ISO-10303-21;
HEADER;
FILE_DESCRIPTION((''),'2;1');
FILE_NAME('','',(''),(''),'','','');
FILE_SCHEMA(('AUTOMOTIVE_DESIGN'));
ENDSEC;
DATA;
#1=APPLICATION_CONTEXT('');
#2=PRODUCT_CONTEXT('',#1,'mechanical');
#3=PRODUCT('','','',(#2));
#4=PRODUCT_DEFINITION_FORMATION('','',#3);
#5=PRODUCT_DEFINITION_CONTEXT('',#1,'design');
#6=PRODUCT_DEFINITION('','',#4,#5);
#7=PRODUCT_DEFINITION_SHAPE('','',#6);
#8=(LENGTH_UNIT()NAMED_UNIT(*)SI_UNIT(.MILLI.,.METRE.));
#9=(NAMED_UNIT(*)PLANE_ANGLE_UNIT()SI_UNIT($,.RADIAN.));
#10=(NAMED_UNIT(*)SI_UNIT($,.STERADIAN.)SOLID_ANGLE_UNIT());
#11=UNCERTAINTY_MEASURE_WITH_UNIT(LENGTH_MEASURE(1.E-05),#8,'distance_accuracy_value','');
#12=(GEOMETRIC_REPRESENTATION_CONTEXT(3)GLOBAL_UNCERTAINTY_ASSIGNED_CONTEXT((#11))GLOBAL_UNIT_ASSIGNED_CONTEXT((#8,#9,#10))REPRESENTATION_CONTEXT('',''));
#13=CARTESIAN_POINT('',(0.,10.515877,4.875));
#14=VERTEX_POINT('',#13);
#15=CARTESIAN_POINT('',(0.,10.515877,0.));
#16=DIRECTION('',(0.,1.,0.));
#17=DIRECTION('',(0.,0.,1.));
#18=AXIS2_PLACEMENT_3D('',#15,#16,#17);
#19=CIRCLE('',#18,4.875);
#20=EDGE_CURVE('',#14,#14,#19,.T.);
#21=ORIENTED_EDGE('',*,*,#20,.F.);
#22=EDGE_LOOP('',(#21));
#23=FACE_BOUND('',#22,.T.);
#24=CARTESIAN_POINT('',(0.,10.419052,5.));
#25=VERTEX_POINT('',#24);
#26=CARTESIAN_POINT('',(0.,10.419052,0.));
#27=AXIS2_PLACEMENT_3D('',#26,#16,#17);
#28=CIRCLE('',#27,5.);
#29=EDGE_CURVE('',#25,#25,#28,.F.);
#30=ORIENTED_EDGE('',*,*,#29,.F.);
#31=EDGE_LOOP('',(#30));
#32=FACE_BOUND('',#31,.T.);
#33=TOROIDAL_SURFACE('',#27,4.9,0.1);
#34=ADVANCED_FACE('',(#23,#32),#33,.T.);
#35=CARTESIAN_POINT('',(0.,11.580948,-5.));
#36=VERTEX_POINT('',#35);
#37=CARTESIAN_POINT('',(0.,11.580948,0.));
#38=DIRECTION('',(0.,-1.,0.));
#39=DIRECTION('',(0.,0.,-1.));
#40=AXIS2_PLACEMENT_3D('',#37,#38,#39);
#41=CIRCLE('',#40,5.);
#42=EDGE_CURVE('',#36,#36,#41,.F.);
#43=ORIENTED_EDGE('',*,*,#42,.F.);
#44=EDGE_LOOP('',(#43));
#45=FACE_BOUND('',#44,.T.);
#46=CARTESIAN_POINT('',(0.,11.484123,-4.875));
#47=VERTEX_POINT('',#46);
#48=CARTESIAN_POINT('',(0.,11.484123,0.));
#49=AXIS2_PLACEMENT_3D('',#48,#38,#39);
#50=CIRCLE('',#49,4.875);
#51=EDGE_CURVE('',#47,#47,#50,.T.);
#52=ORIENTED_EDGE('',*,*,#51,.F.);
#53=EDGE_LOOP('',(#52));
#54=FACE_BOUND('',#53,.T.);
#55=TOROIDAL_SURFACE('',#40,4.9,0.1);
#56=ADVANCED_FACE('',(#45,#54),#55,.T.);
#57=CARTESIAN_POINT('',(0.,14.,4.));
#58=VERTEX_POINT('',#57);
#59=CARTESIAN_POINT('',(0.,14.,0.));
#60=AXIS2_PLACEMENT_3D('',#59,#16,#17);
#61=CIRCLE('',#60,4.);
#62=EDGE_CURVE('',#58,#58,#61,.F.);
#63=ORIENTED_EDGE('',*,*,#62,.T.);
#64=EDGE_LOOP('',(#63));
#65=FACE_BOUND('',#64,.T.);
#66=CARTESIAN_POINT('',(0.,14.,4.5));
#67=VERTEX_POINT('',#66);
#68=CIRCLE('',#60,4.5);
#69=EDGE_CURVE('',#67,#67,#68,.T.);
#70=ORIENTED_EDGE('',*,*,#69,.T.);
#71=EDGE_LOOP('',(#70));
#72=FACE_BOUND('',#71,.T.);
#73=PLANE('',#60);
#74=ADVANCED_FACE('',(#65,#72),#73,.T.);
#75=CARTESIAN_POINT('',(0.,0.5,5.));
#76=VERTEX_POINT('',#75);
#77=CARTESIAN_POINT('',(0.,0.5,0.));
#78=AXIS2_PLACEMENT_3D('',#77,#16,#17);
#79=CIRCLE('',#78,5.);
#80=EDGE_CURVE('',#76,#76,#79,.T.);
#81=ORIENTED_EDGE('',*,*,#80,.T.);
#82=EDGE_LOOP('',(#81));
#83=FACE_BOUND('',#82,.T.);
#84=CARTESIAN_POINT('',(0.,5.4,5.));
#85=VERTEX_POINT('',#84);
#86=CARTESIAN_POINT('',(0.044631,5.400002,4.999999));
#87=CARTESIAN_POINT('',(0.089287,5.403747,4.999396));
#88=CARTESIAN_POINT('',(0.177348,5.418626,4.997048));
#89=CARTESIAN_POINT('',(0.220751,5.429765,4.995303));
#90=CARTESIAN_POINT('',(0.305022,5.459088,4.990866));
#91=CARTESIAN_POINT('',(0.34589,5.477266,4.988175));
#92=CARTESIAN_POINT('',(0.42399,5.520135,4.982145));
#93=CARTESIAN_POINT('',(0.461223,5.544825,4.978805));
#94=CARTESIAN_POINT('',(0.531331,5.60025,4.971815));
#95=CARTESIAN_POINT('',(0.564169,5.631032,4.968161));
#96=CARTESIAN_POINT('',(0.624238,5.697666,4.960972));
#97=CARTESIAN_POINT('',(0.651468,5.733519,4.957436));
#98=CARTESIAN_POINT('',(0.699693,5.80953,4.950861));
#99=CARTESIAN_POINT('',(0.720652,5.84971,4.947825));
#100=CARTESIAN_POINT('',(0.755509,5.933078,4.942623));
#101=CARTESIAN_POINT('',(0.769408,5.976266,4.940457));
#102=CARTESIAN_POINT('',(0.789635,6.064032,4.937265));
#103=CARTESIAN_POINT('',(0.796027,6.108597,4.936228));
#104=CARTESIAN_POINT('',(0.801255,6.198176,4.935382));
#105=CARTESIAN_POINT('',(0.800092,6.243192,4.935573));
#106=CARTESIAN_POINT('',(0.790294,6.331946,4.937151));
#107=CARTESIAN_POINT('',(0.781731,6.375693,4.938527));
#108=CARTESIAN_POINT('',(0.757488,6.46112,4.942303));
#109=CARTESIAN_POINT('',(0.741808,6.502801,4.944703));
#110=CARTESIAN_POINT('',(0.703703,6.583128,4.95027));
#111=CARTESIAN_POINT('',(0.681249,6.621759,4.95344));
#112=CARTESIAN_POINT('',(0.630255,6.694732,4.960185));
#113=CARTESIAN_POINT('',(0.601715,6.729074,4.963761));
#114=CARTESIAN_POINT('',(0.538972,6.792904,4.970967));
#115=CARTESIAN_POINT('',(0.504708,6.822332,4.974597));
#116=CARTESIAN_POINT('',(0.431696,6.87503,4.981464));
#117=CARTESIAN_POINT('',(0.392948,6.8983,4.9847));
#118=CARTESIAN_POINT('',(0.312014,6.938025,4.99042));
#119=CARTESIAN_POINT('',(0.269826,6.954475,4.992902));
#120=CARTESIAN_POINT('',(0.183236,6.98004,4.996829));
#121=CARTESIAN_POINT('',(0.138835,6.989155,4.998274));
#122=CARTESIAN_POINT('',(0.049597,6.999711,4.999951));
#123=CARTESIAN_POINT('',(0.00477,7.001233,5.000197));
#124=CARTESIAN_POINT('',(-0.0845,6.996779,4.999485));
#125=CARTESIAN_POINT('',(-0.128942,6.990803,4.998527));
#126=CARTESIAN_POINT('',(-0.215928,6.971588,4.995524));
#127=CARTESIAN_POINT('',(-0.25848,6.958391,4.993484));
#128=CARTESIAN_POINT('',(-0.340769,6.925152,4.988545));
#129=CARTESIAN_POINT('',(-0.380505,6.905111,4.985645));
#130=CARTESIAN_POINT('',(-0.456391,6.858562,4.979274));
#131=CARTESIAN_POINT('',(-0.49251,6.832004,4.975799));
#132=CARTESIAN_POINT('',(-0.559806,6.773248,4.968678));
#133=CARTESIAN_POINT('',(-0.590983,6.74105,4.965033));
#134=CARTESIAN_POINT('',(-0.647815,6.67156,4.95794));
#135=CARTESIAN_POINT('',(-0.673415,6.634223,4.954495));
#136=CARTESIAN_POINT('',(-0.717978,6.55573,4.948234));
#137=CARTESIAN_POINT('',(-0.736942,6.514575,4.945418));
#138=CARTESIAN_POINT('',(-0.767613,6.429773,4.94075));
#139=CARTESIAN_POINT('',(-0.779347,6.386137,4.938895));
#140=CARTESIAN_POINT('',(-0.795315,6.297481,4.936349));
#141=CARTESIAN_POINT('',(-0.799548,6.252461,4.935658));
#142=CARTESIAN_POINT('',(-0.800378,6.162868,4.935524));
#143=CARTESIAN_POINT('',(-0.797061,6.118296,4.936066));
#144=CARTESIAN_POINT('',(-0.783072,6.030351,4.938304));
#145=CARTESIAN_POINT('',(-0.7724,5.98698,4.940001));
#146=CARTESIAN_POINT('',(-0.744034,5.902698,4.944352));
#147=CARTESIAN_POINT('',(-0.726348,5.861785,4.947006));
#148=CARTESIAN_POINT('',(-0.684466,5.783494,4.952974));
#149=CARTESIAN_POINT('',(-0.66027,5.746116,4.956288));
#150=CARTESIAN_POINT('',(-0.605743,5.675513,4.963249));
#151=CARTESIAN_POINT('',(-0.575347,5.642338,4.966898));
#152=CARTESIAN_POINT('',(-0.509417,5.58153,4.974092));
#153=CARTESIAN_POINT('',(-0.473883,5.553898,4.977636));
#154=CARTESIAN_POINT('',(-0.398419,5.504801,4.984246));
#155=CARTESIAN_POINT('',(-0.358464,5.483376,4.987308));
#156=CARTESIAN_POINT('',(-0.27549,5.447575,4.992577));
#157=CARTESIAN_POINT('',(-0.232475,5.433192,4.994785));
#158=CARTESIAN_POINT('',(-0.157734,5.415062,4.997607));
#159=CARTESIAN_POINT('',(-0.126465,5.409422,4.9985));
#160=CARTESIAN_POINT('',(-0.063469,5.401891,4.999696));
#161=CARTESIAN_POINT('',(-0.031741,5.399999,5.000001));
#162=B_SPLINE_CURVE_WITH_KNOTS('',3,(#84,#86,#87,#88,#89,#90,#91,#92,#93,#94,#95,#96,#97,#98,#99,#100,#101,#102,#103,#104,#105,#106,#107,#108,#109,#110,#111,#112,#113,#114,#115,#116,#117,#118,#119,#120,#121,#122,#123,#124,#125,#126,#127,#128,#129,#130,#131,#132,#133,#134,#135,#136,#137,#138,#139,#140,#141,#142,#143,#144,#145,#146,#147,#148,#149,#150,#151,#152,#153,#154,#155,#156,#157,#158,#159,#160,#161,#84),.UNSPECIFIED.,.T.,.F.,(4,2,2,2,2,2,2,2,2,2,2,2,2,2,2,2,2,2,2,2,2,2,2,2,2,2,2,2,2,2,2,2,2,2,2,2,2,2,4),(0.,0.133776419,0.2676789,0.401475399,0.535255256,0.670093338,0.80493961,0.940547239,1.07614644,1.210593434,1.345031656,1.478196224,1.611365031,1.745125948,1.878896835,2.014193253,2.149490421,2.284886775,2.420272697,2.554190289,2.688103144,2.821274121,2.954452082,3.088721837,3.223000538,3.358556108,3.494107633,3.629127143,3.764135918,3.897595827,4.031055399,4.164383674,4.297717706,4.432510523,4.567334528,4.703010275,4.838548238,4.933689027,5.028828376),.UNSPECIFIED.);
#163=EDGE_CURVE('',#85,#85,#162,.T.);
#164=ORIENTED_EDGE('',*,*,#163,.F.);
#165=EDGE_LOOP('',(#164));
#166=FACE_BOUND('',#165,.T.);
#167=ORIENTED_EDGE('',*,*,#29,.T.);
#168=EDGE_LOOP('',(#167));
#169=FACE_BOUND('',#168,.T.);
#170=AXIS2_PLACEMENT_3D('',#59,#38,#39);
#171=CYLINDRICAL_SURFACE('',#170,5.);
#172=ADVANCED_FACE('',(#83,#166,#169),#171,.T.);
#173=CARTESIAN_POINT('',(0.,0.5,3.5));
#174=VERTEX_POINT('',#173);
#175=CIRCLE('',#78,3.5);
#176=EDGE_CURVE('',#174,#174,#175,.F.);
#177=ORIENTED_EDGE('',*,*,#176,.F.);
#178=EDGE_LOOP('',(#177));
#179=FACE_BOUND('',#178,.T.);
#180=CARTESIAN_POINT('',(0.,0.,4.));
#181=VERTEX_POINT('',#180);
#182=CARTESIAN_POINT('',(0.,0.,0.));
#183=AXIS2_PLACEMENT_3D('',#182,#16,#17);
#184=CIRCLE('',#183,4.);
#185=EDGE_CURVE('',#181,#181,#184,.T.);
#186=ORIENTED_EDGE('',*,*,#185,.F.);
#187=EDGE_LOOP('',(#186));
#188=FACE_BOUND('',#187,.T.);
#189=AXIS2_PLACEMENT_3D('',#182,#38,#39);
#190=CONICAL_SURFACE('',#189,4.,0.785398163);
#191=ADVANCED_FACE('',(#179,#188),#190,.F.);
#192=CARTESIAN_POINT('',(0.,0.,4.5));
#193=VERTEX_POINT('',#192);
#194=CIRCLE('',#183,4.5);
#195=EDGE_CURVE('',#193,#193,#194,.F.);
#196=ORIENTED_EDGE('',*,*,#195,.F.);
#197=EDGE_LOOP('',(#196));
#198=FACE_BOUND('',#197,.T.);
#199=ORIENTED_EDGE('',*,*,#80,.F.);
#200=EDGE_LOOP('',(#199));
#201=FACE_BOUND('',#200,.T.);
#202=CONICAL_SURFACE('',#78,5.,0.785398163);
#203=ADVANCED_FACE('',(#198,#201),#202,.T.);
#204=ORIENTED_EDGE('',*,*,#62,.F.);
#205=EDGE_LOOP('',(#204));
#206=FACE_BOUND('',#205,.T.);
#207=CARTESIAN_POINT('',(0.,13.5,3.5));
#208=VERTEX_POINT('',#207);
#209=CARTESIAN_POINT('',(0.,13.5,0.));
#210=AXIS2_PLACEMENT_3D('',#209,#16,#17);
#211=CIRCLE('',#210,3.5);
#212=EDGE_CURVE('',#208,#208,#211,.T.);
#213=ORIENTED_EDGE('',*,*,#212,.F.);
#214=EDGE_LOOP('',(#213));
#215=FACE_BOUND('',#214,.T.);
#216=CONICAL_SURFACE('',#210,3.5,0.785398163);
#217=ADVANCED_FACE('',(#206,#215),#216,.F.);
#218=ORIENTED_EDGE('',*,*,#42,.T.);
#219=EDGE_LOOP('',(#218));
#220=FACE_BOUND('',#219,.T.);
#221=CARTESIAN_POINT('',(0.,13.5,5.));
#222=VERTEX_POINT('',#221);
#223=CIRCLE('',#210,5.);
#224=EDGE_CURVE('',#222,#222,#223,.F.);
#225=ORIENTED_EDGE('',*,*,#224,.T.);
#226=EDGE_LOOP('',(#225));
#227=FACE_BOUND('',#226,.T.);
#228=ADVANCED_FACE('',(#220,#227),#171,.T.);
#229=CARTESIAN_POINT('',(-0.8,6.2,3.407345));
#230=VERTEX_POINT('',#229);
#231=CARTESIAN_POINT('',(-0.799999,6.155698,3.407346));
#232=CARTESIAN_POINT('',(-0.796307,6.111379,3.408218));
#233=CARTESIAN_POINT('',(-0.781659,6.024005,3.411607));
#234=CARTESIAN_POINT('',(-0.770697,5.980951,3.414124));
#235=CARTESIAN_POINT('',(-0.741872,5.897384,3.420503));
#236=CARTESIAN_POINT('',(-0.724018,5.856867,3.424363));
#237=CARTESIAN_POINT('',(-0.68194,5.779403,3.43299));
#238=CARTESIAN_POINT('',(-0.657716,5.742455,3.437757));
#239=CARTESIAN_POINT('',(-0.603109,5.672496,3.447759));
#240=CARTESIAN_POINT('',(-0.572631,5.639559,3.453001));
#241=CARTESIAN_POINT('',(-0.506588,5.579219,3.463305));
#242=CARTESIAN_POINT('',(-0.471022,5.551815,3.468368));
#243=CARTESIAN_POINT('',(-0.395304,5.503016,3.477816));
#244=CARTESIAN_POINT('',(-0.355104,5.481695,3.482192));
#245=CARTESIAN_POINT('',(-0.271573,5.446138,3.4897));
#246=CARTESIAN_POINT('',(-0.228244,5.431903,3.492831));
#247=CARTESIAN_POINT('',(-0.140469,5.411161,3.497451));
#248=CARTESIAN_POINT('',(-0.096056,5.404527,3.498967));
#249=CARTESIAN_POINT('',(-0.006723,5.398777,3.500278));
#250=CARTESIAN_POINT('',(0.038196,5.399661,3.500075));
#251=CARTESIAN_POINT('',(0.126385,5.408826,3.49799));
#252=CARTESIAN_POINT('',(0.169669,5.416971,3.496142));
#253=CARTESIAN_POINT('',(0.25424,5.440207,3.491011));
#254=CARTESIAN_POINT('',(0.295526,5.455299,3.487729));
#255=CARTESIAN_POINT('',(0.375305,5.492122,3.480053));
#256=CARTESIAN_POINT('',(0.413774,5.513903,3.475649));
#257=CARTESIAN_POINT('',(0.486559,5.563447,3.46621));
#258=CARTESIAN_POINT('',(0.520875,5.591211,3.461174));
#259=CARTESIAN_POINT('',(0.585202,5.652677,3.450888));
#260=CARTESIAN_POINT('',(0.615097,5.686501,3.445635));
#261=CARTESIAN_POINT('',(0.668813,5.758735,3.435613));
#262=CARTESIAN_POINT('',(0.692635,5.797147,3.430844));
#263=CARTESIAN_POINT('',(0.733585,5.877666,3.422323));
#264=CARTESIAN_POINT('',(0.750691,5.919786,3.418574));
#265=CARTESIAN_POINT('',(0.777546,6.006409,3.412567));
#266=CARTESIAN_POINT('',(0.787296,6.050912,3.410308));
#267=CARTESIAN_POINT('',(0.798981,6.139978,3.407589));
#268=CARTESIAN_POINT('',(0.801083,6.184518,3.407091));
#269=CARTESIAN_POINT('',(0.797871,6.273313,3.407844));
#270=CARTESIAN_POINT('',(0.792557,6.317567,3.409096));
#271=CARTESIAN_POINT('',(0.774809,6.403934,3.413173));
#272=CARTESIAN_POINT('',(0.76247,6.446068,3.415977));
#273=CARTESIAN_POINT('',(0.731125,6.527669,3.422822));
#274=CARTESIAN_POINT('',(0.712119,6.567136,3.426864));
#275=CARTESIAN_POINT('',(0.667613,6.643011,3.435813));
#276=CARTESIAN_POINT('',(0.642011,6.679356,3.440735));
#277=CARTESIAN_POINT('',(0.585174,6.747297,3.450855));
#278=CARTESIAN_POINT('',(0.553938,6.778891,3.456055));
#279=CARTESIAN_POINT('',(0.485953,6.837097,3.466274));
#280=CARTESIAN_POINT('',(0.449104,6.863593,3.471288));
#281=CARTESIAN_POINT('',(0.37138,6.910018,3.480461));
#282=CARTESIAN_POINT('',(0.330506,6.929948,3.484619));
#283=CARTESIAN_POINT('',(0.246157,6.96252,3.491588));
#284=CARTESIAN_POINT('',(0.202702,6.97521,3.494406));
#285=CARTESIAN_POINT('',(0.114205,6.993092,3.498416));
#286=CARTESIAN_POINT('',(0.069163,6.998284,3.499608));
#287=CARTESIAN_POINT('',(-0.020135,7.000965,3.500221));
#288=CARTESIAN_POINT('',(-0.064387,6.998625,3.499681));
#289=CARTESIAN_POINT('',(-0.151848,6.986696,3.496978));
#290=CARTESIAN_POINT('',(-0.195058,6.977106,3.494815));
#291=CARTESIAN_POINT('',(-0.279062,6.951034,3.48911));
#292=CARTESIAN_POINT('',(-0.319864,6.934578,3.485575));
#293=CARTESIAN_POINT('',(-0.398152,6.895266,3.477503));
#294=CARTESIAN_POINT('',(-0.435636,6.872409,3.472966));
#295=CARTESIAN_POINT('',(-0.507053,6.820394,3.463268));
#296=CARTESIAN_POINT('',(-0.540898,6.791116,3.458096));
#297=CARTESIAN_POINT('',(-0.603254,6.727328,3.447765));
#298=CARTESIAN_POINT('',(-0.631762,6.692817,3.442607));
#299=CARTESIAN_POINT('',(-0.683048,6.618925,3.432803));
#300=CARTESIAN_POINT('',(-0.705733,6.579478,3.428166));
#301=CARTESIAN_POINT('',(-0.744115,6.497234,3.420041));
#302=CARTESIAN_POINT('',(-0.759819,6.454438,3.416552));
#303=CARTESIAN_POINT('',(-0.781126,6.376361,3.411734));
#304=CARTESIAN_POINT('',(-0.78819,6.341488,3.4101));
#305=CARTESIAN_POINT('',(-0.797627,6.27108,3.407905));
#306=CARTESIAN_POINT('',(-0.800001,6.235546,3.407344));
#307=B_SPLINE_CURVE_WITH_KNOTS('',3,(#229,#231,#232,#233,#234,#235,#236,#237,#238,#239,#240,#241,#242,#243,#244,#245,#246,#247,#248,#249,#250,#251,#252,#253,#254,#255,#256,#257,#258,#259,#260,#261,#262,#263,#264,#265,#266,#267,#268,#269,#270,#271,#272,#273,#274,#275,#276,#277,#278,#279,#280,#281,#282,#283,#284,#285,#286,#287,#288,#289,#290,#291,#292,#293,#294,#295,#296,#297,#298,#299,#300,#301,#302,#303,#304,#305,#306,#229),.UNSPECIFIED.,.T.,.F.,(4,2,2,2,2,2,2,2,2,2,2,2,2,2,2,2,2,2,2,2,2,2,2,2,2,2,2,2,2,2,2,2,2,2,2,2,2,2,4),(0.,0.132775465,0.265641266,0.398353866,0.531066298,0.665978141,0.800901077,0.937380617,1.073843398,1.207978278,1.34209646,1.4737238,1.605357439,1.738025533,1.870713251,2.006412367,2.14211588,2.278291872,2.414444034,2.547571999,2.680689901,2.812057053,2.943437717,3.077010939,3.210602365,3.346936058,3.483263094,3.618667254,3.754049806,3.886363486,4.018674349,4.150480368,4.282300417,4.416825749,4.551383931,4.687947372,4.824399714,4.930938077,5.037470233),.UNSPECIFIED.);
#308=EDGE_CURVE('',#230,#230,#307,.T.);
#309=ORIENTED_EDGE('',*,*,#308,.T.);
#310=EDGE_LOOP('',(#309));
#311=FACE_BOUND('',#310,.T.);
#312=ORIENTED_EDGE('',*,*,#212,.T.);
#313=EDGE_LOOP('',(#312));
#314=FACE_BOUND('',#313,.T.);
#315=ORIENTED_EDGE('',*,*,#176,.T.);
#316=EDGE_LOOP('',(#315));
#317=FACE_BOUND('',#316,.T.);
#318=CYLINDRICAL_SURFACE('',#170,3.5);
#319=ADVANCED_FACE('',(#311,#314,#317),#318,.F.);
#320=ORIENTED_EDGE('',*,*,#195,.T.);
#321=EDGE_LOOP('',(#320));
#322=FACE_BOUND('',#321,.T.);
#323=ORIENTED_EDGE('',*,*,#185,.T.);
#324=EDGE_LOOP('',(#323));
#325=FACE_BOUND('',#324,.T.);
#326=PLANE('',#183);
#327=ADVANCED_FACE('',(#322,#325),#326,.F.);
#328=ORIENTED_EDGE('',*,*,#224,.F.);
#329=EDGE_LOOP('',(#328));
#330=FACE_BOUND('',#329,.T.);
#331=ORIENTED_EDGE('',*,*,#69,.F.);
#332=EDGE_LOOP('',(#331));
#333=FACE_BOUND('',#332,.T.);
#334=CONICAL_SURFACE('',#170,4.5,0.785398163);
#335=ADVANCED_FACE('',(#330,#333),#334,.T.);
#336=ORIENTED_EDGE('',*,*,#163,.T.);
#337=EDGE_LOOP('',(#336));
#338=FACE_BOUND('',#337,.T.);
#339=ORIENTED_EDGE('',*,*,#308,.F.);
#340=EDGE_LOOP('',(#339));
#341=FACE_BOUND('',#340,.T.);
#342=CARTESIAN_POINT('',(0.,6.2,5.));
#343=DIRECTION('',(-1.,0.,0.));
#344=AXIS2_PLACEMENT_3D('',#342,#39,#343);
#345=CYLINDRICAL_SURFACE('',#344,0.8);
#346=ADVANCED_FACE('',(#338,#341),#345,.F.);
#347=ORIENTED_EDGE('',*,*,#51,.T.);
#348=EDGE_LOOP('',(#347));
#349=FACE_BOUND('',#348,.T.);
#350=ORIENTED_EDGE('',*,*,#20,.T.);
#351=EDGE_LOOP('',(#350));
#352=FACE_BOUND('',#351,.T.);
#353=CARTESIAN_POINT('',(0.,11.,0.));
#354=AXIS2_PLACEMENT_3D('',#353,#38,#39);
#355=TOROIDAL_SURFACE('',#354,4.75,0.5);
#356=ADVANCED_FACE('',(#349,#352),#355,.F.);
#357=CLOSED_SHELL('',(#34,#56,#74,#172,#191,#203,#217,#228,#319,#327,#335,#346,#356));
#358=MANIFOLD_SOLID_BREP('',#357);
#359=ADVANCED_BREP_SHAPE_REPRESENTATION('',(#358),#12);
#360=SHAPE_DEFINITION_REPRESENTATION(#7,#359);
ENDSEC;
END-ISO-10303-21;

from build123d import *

# Parameters (mm, degrees)
SKETCH1_R           = 5
SKETCH1_R_2         = 3.5
BOSS_EXTRUDE1_DEPTH = 14
SKETCH3_R           = 0.8
CUT_EXTRUDE1_DEPTH  = 6
SKETCH4_R           = 0.5
FILLET1_R           = 0.1
CHAMFER1_SIZE       = 0.5


with BuildPart() as part:
    # Sketch1 → Boss-Extrude1 (new body)
    with BuildSketch(Plane(origin=(0, 0, 0), x_dir=(1, 0, 0), z_dir=(0, 1, 0))):
        Circle(SKETCH1_R)
        Circle(SKETCH1_R_2, mode=Mode.SUBTRACT)
    extrude(amount=BOSS_EXTRUDE1_DEPTH)

    # Sketch3 → Cut-Extrude1 (cut, through all)
    with BuildSketch(Plane.XY):
        with Locations((0, 6.2)):
            Circle(SKETCH3_R)
    extrude(amount=CUT_EXTRUDE1_DEPTH, mode=Mode.SUBTRACT)

    # Sketch4 → Cut-Revolve1 (revolve, cut)
    with BuildSketch(Plane.XY):
        with Locations((4.75, 11)):
            Circle(SKETCH4_R)
    revolve(axis=Axis((0, 0, 0), (0, 1, 0)), mode=Mode.SUBTRACT)

    # Fillet1
    fillet1_edges = [part.edges().sort_by_distance(p)[0] for p in [
        (-5, 11.433012702, 0),
        (-5, 10.566987298, 0),
    ]]
    fillet(fillet1_edges, radius=FILLET1_R)

    # Chamfer1
    chamfer1_edges = [part.edges().sort_by_distance(p)[0] for p in [
        (-5, 0, 0),
        (-5, 14, 0),
        (-3.5, 0, 0),
        (-3.5, 14, 0),
    ]]
    chamfer(chamfer1_edges, length=CHAMFER1_SIZE)


solid = part.part
